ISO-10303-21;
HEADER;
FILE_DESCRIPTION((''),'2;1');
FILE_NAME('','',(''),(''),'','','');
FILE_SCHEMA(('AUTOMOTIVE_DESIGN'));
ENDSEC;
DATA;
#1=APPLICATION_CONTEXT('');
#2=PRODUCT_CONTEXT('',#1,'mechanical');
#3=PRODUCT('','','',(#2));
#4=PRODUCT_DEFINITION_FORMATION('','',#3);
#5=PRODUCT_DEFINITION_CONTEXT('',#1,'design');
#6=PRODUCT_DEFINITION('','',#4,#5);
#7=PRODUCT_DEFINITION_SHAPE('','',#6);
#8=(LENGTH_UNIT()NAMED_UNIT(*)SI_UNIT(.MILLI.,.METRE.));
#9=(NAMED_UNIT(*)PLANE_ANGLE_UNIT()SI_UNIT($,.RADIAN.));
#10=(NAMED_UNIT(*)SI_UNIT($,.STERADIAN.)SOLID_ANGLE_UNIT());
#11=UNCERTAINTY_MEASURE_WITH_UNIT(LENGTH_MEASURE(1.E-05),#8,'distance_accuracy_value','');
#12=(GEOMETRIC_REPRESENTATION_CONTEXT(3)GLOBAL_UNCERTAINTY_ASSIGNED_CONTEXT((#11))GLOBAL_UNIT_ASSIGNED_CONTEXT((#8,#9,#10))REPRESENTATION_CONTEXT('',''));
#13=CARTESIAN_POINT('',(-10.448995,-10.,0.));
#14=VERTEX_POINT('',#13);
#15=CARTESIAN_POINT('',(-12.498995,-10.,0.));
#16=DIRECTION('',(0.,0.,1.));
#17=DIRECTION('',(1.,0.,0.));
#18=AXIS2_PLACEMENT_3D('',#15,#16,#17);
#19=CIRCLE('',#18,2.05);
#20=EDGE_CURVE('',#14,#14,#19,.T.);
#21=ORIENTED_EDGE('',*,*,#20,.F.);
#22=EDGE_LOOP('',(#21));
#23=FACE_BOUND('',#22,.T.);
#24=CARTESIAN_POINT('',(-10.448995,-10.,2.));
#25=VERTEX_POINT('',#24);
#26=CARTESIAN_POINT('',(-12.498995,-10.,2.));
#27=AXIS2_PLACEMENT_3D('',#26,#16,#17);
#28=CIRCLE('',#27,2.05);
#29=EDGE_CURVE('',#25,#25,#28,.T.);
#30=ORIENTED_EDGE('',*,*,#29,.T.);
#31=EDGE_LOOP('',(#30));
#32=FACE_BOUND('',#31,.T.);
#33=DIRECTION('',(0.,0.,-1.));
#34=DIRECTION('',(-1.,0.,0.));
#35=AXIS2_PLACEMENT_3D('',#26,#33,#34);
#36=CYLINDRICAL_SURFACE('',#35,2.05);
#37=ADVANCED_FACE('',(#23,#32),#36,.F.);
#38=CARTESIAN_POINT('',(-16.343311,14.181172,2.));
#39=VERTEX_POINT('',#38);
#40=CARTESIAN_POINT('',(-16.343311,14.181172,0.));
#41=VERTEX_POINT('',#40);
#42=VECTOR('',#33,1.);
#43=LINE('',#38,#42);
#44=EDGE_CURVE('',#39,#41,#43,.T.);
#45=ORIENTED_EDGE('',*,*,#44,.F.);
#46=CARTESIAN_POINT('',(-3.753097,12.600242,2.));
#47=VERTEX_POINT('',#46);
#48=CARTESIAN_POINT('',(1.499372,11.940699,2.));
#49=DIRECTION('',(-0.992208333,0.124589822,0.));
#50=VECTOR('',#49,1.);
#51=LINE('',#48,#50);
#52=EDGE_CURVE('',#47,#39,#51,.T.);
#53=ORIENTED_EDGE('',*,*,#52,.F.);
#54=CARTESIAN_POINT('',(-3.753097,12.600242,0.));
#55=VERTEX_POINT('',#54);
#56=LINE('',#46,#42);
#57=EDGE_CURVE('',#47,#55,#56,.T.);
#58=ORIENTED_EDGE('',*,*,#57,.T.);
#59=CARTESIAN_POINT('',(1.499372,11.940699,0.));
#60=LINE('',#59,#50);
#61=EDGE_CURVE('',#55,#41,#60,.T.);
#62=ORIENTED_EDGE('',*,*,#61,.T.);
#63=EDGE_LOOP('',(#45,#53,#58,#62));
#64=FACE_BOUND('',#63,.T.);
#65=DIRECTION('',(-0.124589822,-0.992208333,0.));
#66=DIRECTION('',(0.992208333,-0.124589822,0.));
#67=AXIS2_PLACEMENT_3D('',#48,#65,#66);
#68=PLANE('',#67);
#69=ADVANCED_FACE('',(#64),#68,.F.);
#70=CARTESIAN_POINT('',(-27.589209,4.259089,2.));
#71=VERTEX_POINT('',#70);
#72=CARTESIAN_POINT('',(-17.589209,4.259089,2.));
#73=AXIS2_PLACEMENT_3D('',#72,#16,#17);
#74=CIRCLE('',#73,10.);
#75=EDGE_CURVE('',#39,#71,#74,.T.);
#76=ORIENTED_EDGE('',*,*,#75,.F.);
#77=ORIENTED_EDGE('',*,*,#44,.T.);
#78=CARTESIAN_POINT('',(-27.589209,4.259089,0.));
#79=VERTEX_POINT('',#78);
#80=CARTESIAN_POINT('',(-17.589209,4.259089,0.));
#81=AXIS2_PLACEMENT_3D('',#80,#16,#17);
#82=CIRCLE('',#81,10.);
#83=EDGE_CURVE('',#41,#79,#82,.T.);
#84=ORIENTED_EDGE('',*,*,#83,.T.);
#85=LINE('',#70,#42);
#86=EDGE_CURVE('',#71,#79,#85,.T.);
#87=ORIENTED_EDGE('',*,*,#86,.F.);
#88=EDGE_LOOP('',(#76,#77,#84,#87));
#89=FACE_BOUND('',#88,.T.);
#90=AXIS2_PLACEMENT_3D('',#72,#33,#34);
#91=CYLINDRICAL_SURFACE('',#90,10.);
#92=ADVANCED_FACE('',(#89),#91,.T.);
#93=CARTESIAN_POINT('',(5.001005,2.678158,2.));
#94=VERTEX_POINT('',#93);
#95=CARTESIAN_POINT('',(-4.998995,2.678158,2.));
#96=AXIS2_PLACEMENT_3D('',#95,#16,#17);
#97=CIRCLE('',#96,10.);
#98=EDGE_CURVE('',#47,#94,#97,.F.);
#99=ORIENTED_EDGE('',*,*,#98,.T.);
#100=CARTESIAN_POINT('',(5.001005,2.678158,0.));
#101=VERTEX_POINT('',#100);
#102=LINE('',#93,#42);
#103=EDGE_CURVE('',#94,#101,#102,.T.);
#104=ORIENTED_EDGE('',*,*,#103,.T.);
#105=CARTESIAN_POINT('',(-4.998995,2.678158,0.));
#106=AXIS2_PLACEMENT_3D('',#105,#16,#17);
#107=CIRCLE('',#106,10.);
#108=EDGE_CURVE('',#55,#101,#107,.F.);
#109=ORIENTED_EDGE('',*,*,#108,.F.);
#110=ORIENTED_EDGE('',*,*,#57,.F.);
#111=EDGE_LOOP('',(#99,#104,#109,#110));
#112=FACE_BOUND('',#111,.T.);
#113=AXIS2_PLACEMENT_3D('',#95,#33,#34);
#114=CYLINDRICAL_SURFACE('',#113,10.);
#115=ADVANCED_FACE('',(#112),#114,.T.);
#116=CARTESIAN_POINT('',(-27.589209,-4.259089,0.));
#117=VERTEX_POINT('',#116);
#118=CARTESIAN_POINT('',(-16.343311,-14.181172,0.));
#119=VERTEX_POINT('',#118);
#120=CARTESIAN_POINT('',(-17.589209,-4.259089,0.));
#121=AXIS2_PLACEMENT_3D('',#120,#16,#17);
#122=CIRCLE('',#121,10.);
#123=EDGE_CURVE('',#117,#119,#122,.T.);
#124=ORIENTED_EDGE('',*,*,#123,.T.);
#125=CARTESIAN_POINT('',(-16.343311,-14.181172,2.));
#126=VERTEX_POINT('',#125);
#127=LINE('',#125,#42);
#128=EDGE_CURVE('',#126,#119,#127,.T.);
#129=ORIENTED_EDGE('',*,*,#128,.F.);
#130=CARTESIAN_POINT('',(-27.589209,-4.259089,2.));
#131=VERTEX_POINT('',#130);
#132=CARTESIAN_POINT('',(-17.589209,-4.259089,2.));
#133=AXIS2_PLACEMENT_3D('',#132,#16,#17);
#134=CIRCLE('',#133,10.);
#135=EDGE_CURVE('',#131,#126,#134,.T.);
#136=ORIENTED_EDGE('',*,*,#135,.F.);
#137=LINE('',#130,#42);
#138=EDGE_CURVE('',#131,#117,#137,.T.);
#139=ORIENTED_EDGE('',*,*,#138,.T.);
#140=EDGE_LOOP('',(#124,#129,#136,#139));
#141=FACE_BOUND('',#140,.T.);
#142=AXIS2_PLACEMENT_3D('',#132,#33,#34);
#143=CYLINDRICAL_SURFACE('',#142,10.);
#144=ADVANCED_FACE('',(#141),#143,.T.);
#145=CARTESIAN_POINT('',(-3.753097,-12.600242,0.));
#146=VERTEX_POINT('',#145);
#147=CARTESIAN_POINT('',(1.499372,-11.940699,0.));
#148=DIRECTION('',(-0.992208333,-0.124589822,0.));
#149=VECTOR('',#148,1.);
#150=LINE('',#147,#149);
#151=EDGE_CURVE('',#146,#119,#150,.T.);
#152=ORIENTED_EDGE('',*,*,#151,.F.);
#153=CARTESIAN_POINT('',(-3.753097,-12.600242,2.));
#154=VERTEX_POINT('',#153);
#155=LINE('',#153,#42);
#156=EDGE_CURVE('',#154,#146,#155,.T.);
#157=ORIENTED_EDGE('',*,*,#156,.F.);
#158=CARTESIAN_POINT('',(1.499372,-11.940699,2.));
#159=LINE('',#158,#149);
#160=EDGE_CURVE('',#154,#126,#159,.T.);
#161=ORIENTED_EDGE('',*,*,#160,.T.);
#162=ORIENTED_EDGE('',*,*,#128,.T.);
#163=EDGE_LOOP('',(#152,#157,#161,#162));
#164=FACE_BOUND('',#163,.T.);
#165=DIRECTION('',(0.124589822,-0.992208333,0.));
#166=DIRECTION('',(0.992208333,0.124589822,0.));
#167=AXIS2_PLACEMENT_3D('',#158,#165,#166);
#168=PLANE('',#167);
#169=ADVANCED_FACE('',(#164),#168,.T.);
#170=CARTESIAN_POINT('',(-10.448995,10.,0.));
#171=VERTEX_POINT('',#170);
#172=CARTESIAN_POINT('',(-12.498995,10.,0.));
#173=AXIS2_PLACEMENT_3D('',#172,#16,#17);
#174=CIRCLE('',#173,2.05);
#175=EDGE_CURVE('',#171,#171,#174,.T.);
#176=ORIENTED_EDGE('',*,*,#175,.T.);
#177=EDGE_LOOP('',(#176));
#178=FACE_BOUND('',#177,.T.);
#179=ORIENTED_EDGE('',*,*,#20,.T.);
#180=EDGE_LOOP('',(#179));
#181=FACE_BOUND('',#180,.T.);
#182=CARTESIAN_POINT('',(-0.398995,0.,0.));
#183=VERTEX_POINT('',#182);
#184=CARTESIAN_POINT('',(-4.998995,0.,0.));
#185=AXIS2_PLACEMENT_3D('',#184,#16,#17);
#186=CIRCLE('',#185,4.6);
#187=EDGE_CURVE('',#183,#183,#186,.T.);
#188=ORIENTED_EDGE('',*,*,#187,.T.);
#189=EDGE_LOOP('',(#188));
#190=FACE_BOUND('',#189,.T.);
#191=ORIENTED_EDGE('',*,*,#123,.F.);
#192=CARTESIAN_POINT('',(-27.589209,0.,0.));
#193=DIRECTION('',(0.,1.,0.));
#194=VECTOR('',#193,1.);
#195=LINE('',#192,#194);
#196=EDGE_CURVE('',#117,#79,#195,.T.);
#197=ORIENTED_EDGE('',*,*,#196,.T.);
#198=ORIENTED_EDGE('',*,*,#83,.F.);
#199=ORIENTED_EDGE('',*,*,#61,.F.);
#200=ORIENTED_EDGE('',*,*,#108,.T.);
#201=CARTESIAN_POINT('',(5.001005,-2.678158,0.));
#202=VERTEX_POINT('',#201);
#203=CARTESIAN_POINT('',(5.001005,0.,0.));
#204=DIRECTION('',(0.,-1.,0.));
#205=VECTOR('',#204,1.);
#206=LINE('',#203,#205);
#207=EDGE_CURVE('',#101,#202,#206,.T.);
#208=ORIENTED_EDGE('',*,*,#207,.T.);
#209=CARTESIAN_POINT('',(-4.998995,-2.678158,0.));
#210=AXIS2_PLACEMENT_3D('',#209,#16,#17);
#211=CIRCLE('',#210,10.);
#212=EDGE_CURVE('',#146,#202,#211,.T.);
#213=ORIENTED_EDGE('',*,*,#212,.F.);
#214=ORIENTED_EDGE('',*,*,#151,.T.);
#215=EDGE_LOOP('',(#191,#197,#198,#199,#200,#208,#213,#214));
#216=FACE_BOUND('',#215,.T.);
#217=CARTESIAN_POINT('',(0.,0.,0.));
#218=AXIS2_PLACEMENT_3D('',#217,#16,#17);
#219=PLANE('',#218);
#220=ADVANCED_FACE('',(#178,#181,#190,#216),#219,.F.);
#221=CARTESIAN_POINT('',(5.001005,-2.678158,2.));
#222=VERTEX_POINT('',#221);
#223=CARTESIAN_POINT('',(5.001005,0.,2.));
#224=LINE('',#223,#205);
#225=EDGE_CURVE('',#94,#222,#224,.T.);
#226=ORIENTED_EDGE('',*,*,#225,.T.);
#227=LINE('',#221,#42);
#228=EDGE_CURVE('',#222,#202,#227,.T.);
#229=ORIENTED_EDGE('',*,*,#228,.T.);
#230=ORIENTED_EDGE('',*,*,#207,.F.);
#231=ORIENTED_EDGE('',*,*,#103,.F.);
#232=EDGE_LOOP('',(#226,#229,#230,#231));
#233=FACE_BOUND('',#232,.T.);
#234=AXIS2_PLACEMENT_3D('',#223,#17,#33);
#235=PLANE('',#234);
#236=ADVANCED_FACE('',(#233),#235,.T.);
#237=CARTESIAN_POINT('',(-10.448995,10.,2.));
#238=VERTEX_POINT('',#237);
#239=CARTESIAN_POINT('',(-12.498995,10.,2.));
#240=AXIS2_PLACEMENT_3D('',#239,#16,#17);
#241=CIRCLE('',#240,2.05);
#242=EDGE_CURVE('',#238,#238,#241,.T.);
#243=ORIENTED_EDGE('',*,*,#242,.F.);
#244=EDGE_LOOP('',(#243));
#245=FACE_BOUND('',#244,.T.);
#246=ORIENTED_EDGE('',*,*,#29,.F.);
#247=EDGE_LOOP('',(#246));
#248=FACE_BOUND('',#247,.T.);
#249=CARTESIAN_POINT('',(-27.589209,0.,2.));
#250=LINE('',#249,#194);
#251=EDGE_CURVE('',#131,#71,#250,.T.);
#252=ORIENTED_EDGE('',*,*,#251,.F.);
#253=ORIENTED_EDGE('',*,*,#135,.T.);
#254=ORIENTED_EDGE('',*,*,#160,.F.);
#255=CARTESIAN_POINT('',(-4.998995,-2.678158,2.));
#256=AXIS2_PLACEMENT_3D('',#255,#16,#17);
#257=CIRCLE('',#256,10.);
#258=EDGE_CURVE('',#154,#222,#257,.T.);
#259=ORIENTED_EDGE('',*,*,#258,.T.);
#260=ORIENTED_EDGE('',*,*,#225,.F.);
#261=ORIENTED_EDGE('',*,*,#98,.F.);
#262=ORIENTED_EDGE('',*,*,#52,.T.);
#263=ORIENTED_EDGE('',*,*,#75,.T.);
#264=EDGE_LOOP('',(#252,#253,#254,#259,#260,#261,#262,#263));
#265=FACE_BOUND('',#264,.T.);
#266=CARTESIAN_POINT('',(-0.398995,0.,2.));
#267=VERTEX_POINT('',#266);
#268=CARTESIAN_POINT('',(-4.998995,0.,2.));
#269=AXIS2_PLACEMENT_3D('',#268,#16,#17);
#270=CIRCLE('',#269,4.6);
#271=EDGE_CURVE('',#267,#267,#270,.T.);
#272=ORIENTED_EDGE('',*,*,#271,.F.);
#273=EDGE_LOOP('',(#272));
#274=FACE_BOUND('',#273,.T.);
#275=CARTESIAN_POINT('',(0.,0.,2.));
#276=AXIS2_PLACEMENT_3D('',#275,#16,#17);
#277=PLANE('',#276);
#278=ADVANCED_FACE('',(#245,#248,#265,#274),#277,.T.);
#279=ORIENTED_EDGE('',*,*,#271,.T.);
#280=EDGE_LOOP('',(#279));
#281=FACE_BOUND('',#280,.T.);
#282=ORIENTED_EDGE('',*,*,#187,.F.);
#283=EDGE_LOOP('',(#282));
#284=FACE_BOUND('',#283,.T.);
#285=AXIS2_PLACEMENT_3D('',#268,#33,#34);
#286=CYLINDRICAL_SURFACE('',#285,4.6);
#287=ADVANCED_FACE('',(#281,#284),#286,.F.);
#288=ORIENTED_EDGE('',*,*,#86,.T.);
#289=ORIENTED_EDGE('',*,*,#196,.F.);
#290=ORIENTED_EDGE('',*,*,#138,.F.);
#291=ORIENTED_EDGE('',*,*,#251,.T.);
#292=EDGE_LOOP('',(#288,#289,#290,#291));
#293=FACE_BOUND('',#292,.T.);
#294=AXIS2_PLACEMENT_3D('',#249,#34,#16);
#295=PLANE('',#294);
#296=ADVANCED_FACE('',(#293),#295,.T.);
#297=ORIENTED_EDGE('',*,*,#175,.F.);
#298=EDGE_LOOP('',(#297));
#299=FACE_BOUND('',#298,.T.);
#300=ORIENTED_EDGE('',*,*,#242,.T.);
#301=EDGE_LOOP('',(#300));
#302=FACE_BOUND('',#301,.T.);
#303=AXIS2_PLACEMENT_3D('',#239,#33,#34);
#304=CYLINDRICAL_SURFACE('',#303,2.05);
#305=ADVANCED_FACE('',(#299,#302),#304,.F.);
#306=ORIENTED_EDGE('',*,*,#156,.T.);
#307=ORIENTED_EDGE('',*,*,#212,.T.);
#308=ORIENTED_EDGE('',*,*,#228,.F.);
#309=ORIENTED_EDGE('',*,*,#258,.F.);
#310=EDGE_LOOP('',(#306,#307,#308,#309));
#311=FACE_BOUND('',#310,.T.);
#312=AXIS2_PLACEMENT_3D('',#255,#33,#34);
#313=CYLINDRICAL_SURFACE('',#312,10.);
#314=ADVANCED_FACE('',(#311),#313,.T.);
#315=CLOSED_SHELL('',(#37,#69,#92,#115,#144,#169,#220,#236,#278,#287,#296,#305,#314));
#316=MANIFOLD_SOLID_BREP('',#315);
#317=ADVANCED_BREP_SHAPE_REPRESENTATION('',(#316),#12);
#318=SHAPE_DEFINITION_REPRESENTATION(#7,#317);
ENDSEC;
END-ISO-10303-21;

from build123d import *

# Parameters (mm, degrees)
SKETCH_1_R      = 2.05
SKETCH_1_R_2    = 4.6
EXTRUDE_1_DEPTH = 2


with BuildPart() as part:
    # 草图1 → 凸台-拉伸1 (new body)
    with BuildSketch(Plane.XY):
        with BuildLine():
            Line((-3.753096947, 12.600241703), (-16.343310644, 14.181172272))
            ThreePointArc((-16.343310644, 14.181172272), (-24.205137287, 11.757721557), (-27.589208865, 4.259088942))
            Line((-27.589208865, 4.259088942), (-27.589208865, -4.259088942))
            ThreePointArc((-27.589208865, -4.259088942), (-24.205137287, -11.757721557), (-16.343310644, -14.181172272))
            Line((-16.343310644, -14.181172272), (-3.753096947, -12.600241703))
            ThreePointArc((-3.753096947, -12.600241703), (2.499637447, -9.294086795), (5.001004832, -2.678158372))
            Line((5.001004832, -2.678158372), (5.001004832, 2.678158372))
            ThreePointArc((5.001004832, 2.678158372), (2.499637447, 9.294086795), (-3.753096947, 12.600241703))
        make_face()
        with Locations((-12.498995168, 10)):
            Circle(SKETCH_1_R, mode=Mode.SUBTRACT)
        with Locations((-4.998995168, 0)):
            Circle(SKETCH_1_R_2, mode=Mode.SUBTRACT)
        with Locations((-12.498995168, -10)):
            Circle(SKETCH_1_R, mode=Mode.SUBTRACT)
    extrude(amount=EXTRUDE_1_DEPTH)


solid = part.part
